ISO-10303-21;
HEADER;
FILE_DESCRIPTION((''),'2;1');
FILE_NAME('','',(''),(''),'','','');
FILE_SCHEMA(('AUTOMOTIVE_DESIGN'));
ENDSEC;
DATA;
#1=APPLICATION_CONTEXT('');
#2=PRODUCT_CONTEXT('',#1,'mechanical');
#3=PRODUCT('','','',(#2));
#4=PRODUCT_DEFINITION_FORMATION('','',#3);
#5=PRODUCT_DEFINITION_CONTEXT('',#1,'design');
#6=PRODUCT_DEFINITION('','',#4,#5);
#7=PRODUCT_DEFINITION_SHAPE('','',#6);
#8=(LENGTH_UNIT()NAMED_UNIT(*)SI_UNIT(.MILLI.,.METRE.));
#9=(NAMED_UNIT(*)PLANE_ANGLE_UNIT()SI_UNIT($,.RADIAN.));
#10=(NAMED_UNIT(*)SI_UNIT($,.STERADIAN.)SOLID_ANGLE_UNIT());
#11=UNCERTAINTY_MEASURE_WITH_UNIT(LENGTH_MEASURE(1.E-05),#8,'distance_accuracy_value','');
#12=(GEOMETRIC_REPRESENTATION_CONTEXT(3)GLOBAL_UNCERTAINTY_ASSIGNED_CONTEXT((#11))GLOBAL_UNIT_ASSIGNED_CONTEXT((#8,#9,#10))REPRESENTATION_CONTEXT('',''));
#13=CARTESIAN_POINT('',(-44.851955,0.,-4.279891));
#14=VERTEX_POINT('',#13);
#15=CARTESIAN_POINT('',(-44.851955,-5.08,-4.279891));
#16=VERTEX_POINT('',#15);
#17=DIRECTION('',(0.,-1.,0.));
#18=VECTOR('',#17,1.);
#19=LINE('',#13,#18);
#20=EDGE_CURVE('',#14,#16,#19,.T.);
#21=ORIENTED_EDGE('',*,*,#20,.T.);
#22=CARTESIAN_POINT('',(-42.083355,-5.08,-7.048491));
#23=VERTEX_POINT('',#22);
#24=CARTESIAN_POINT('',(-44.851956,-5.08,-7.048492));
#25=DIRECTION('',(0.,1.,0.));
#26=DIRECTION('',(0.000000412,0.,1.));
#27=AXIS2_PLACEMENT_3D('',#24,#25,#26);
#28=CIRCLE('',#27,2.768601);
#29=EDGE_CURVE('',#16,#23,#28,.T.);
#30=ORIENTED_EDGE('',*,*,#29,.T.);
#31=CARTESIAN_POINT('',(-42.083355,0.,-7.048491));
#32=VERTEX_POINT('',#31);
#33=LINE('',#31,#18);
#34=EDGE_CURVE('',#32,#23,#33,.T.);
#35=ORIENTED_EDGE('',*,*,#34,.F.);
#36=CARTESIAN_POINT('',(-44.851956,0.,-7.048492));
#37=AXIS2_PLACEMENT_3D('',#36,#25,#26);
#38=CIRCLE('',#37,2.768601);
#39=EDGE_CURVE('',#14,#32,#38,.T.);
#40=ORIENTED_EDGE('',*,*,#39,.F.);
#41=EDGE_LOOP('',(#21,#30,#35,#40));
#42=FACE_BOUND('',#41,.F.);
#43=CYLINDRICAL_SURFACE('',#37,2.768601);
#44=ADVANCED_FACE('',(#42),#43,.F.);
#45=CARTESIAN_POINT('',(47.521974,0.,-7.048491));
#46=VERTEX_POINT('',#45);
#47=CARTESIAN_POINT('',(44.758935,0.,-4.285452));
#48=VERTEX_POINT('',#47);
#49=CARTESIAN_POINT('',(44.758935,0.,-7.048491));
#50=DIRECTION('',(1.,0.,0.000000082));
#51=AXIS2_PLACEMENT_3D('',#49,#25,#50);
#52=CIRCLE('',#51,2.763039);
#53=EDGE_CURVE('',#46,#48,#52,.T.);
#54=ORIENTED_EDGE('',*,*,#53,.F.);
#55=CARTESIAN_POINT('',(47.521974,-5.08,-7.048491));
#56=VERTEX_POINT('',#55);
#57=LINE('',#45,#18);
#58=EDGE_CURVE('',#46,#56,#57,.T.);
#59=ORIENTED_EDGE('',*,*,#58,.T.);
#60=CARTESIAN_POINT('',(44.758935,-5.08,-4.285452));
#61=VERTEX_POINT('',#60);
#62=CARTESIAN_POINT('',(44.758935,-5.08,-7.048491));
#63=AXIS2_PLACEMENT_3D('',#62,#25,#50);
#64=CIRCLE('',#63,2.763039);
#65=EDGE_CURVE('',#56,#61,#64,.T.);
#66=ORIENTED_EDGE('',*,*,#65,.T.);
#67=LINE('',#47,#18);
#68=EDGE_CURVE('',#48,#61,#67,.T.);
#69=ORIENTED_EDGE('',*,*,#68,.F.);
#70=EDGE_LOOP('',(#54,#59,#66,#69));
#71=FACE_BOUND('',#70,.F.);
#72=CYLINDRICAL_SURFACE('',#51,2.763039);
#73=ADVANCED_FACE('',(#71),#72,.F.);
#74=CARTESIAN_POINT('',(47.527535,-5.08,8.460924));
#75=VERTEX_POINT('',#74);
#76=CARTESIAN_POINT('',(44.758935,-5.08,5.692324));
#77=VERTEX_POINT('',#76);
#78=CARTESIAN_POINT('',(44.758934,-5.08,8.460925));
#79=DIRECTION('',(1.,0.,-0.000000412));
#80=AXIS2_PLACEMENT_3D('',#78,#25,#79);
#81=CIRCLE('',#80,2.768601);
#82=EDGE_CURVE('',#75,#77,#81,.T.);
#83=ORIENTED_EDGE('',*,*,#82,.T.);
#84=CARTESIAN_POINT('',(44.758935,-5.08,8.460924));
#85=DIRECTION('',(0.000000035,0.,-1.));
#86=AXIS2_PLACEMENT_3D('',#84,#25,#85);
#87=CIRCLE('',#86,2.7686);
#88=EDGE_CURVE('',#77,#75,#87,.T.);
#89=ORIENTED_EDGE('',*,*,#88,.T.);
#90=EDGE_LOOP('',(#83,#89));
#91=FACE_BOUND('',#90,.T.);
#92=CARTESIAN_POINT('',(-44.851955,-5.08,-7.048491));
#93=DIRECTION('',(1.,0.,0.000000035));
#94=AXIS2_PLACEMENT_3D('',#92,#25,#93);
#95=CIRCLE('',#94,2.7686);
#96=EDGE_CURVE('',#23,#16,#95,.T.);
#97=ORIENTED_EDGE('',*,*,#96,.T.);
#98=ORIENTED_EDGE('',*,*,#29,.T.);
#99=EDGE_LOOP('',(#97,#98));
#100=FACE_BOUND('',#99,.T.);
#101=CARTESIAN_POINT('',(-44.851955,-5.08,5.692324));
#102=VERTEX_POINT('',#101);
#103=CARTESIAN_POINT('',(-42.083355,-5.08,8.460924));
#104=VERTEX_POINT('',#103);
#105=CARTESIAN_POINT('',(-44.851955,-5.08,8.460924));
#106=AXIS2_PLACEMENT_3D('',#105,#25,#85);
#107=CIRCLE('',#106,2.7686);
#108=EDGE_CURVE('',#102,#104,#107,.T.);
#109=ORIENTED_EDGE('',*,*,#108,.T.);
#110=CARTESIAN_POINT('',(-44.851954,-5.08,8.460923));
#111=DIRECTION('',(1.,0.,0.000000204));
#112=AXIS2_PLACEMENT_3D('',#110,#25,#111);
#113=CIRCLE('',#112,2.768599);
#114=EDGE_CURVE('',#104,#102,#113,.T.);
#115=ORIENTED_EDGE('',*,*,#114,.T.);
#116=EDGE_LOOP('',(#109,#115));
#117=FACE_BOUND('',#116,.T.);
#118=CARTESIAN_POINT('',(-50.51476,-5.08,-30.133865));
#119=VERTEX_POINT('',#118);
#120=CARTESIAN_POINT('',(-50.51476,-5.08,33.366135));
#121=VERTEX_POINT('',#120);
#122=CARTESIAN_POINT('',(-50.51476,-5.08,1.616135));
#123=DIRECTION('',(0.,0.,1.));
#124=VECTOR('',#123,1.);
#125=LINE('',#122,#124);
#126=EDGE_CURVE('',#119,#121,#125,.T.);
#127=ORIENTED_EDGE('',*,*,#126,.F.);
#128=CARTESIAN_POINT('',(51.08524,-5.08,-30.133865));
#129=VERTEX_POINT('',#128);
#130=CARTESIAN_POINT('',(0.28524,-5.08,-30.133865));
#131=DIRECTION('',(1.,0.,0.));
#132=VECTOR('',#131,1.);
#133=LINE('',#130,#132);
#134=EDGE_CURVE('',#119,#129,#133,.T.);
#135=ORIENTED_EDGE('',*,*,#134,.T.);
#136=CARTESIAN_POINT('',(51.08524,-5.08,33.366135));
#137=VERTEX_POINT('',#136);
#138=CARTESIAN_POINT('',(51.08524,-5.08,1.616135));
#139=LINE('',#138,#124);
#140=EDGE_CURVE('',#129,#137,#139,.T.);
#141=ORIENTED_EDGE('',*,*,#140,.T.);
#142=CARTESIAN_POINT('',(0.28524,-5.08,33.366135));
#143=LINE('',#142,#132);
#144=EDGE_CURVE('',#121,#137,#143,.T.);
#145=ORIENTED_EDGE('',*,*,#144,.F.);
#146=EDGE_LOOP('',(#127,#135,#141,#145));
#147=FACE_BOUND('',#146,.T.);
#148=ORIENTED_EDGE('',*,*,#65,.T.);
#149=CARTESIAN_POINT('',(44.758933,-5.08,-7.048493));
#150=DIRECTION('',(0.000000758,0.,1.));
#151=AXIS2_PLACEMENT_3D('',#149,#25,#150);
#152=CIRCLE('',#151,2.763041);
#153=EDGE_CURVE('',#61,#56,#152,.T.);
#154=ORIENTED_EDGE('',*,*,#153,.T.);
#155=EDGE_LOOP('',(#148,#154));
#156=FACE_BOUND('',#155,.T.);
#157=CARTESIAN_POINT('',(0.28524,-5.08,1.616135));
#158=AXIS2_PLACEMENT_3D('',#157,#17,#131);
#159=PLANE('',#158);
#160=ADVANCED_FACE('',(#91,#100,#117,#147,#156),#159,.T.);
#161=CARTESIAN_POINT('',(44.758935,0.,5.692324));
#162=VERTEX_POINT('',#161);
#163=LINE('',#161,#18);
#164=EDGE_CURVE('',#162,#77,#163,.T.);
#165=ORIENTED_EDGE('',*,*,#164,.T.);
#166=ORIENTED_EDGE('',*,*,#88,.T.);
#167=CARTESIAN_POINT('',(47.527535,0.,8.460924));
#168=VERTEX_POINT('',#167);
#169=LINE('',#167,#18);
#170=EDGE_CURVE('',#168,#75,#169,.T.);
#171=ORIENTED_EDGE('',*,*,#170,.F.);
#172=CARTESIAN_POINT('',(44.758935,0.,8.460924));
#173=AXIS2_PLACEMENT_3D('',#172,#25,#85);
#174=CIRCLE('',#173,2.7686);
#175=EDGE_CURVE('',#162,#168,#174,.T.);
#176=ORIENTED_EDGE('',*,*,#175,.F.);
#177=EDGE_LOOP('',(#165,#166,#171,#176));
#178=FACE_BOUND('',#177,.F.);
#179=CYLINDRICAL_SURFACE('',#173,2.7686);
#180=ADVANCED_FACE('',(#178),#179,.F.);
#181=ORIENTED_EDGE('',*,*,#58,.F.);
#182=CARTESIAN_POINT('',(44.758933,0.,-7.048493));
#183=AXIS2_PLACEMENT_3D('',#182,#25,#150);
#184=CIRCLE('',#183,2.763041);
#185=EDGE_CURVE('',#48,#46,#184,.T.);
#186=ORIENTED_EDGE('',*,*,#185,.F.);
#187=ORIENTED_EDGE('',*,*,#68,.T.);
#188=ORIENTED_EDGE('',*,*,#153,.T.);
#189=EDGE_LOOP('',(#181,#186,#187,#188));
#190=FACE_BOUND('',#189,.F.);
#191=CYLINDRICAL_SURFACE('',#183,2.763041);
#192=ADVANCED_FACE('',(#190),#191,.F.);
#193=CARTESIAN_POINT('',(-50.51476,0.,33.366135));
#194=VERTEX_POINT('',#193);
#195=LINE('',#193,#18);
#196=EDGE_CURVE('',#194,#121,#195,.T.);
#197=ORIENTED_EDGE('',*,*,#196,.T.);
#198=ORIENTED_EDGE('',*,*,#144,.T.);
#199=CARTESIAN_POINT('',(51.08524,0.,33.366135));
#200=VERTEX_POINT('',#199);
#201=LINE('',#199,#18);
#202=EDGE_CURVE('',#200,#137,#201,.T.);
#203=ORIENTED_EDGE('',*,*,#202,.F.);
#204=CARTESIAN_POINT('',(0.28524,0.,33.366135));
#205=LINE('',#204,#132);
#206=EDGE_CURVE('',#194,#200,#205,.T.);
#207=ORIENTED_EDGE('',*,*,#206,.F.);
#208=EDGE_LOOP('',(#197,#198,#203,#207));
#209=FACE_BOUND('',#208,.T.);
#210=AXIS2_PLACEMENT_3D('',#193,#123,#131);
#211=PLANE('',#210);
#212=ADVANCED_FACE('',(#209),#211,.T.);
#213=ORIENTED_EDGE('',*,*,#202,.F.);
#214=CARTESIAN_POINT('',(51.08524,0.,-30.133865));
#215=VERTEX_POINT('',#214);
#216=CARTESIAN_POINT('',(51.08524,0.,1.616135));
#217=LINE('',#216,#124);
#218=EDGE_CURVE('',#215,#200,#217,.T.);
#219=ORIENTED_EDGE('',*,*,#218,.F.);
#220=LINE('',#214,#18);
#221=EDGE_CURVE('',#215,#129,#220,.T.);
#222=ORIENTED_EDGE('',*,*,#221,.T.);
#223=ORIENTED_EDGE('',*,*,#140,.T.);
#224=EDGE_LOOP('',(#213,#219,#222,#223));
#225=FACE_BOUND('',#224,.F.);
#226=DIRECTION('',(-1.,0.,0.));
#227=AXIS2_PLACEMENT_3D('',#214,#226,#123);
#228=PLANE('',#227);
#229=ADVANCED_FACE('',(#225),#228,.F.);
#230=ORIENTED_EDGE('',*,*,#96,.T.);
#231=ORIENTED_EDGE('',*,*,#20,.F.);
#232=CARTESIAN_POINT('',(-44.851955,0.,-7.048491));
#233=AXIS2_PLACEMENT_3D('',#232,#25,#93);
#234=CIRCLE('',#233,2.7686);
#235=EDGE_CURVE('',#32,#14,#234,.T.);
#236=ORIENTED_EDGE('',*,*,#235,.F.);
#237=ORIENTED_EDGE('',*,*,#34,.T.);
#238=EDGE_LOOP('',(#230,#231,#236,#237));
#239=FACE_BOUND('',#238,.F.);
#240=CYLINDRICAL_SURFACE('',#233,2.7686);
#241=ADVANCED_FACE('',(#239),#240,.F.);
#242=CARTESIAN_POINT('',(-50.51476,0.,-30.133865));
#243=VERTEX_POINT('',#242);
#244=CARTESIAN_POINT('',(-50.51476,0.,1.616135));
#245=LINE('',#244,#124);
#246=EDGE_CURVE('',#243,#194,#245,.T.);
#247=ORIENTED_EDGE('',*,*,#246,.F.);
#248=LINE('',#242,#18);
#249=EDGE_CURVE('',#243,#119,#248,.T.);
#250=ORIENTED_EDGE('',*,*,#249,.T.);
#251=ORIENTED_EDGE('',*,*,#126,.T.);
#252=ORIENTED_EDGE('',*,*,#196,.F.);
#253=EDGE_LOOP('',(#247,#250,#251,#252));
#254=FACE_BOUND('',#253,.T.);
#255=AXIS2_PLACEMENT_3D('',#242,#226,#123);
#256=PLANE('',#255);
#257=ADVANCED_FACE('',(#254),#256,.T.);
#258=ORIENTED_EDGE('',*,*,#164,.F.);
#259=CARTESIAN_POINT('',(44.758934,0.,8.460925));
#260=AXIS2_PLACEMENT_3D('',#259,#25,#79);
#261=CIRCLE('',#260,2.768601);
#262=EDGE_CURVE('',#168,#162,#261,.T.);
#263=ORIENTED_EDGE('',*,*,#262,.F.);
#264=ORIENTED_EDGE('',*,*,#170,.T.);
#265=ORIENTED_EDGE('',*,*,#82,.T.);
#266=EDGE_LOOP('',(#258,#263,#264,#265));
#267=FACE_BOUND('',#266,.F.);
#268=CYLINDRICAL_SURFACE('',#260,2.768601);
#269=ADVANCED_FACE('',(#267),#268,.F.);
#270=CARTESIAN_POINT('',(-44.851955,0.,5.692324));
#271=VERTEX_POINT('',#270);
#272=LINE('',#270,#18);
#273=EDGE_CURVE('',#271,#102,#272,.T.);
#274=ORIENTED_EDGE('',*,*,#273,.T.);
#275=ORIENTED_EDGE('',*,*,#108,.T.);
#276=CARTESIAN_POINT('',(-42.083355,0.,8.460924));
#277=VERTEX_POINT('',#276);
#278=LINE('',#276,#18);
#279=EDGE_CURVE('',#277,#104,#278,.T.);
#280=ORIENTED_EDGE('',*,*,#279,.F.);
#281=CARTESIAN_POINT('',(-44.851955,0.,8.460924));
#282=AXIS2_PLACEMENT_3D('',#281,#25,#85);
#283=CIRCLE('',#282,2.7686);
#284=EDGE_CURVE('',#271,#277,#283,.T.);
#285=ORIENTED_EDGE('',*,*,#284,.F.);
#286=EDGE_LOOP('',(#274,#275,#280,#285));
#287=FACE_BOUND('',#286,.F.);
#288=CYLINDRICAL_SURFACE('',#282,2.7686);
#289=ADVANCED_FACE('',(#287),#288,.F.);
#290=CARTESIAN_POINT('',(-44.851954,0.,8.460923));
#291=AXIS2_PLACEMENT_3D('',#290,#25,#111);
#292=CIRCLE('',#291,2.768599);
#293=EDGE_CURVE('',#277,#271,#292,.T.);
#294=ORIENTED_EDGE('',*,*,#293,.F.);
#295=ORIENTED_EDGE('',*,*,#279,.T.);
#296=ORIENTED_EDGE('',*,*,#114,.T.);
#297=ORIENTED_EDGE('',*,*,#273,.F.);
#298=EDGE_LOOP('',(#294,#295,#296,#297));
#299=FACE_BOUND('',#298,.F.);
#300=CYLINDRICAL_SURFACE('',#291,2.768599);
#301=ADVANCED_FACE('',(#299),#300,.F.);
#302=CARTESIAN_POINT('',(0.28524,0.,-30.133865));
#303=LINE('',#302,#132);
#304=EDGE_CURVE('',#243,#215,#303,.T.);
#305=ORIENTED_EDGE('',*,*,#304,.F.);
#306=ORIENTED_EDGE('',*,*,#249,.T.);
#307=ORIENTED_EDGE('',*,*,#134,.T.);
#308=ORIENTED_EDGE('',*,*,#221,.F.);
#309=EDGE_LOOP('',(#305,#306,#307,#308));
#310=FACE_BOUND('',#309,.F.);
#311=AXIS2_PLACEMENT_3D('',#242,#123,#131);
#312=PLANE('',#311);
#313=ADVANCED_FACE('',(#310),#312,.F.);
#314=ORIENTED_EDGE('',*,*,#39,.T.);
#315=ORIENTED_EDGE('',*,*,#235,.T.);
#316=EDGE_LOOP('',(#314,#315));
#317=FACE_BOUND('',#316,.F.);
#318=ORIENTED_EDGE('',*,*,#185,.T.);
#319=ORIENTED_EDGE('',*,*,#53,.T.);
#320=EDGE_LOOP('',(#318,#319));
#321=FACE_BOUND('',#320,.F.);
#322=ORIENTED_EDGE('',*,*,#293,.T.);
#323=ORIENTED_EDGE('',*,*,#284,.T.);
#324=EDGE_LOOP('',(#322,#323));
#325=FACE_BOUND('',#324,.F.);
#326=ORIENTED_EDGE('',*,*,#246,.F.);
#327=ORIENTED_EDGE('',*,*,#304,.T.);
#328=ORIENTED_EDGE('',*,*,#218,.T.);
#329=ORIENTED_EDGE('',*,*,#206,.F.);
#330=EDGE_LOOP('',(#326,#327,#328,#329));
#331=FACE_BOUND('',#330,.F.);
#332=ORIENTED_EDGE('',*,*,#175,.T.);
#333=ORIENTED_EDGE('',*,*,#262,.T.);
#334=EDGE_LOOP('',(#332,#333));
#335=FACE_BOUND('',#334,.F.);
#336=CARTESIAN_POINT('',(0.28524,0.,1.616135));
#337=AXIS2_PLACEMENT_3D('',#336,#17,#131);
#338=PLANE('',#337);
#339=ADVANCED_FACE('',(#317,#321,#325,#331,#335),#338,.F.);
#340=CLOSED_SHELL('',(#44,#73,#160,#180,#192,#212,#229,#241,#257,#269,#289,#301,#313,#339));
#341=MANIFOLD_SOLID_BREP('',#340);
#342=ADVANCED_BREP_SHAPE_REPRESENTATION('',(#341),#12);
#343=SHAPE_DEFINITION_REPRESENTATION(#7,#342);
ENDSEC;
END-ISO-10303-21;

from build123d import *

# Parameters (mm, degrees)
F0_W     = 101.6
F0_H     = 63.5
F1_DEPTH = 5.08


with BuildPart() as f1:
    # F0 (on Front) → F1 (new body)
    with BuildSketch(Plane.XZ):
        with Locations((0.28524, 1.616135)):
            Rectangle(F0_W, F0_H)
        with BuildLine():
            ThreePointArc((-44.851955, -4.279891), (-42.894259, -5.090796), (-42.083355, -7.048491))
            ThreePointArc((-42.083355, -7.048491), (-46.809651, -9.006187), (-44.851955, -4.279891))
        make_face(mode=Mode.SUBTRACT)
        with BuildLine():
            ThreePointArc((44.758935, -4.285452), (46.712698, -5.094728), (47.521974, -7.048491))
            ThreePointArc((47.521974, -7.048491), (42.805171, -9.002255), (44.758935, -4.285452))
        make_face(mode=Mode.SUBTRACT)
        with BuildLine():
            ThreePointArc((-42.083355, 8.460924), (-42.894259, 6.503228), (-44.851955, 5.692324))
            ThreePointArc((-44.851955, 5.692324), (-46.809651, 10.41862), (-42.083355, 8.460924))
        make_face(mode=Mode.SUBTRACT)
        with BuildLine():
            ThreePointArc((47.527535, 8.460924), (46.71663, 6.503228), (44.758935, 5.692324))
            ThreePointArc((44.758935, 5.692324), (42.801239, 10.41862), (47.527535, 8.460924))
        make_face(mode=Mode.SUBTRACT)
    extrude(amount=F1_DEPTH)


solid = f1.part
